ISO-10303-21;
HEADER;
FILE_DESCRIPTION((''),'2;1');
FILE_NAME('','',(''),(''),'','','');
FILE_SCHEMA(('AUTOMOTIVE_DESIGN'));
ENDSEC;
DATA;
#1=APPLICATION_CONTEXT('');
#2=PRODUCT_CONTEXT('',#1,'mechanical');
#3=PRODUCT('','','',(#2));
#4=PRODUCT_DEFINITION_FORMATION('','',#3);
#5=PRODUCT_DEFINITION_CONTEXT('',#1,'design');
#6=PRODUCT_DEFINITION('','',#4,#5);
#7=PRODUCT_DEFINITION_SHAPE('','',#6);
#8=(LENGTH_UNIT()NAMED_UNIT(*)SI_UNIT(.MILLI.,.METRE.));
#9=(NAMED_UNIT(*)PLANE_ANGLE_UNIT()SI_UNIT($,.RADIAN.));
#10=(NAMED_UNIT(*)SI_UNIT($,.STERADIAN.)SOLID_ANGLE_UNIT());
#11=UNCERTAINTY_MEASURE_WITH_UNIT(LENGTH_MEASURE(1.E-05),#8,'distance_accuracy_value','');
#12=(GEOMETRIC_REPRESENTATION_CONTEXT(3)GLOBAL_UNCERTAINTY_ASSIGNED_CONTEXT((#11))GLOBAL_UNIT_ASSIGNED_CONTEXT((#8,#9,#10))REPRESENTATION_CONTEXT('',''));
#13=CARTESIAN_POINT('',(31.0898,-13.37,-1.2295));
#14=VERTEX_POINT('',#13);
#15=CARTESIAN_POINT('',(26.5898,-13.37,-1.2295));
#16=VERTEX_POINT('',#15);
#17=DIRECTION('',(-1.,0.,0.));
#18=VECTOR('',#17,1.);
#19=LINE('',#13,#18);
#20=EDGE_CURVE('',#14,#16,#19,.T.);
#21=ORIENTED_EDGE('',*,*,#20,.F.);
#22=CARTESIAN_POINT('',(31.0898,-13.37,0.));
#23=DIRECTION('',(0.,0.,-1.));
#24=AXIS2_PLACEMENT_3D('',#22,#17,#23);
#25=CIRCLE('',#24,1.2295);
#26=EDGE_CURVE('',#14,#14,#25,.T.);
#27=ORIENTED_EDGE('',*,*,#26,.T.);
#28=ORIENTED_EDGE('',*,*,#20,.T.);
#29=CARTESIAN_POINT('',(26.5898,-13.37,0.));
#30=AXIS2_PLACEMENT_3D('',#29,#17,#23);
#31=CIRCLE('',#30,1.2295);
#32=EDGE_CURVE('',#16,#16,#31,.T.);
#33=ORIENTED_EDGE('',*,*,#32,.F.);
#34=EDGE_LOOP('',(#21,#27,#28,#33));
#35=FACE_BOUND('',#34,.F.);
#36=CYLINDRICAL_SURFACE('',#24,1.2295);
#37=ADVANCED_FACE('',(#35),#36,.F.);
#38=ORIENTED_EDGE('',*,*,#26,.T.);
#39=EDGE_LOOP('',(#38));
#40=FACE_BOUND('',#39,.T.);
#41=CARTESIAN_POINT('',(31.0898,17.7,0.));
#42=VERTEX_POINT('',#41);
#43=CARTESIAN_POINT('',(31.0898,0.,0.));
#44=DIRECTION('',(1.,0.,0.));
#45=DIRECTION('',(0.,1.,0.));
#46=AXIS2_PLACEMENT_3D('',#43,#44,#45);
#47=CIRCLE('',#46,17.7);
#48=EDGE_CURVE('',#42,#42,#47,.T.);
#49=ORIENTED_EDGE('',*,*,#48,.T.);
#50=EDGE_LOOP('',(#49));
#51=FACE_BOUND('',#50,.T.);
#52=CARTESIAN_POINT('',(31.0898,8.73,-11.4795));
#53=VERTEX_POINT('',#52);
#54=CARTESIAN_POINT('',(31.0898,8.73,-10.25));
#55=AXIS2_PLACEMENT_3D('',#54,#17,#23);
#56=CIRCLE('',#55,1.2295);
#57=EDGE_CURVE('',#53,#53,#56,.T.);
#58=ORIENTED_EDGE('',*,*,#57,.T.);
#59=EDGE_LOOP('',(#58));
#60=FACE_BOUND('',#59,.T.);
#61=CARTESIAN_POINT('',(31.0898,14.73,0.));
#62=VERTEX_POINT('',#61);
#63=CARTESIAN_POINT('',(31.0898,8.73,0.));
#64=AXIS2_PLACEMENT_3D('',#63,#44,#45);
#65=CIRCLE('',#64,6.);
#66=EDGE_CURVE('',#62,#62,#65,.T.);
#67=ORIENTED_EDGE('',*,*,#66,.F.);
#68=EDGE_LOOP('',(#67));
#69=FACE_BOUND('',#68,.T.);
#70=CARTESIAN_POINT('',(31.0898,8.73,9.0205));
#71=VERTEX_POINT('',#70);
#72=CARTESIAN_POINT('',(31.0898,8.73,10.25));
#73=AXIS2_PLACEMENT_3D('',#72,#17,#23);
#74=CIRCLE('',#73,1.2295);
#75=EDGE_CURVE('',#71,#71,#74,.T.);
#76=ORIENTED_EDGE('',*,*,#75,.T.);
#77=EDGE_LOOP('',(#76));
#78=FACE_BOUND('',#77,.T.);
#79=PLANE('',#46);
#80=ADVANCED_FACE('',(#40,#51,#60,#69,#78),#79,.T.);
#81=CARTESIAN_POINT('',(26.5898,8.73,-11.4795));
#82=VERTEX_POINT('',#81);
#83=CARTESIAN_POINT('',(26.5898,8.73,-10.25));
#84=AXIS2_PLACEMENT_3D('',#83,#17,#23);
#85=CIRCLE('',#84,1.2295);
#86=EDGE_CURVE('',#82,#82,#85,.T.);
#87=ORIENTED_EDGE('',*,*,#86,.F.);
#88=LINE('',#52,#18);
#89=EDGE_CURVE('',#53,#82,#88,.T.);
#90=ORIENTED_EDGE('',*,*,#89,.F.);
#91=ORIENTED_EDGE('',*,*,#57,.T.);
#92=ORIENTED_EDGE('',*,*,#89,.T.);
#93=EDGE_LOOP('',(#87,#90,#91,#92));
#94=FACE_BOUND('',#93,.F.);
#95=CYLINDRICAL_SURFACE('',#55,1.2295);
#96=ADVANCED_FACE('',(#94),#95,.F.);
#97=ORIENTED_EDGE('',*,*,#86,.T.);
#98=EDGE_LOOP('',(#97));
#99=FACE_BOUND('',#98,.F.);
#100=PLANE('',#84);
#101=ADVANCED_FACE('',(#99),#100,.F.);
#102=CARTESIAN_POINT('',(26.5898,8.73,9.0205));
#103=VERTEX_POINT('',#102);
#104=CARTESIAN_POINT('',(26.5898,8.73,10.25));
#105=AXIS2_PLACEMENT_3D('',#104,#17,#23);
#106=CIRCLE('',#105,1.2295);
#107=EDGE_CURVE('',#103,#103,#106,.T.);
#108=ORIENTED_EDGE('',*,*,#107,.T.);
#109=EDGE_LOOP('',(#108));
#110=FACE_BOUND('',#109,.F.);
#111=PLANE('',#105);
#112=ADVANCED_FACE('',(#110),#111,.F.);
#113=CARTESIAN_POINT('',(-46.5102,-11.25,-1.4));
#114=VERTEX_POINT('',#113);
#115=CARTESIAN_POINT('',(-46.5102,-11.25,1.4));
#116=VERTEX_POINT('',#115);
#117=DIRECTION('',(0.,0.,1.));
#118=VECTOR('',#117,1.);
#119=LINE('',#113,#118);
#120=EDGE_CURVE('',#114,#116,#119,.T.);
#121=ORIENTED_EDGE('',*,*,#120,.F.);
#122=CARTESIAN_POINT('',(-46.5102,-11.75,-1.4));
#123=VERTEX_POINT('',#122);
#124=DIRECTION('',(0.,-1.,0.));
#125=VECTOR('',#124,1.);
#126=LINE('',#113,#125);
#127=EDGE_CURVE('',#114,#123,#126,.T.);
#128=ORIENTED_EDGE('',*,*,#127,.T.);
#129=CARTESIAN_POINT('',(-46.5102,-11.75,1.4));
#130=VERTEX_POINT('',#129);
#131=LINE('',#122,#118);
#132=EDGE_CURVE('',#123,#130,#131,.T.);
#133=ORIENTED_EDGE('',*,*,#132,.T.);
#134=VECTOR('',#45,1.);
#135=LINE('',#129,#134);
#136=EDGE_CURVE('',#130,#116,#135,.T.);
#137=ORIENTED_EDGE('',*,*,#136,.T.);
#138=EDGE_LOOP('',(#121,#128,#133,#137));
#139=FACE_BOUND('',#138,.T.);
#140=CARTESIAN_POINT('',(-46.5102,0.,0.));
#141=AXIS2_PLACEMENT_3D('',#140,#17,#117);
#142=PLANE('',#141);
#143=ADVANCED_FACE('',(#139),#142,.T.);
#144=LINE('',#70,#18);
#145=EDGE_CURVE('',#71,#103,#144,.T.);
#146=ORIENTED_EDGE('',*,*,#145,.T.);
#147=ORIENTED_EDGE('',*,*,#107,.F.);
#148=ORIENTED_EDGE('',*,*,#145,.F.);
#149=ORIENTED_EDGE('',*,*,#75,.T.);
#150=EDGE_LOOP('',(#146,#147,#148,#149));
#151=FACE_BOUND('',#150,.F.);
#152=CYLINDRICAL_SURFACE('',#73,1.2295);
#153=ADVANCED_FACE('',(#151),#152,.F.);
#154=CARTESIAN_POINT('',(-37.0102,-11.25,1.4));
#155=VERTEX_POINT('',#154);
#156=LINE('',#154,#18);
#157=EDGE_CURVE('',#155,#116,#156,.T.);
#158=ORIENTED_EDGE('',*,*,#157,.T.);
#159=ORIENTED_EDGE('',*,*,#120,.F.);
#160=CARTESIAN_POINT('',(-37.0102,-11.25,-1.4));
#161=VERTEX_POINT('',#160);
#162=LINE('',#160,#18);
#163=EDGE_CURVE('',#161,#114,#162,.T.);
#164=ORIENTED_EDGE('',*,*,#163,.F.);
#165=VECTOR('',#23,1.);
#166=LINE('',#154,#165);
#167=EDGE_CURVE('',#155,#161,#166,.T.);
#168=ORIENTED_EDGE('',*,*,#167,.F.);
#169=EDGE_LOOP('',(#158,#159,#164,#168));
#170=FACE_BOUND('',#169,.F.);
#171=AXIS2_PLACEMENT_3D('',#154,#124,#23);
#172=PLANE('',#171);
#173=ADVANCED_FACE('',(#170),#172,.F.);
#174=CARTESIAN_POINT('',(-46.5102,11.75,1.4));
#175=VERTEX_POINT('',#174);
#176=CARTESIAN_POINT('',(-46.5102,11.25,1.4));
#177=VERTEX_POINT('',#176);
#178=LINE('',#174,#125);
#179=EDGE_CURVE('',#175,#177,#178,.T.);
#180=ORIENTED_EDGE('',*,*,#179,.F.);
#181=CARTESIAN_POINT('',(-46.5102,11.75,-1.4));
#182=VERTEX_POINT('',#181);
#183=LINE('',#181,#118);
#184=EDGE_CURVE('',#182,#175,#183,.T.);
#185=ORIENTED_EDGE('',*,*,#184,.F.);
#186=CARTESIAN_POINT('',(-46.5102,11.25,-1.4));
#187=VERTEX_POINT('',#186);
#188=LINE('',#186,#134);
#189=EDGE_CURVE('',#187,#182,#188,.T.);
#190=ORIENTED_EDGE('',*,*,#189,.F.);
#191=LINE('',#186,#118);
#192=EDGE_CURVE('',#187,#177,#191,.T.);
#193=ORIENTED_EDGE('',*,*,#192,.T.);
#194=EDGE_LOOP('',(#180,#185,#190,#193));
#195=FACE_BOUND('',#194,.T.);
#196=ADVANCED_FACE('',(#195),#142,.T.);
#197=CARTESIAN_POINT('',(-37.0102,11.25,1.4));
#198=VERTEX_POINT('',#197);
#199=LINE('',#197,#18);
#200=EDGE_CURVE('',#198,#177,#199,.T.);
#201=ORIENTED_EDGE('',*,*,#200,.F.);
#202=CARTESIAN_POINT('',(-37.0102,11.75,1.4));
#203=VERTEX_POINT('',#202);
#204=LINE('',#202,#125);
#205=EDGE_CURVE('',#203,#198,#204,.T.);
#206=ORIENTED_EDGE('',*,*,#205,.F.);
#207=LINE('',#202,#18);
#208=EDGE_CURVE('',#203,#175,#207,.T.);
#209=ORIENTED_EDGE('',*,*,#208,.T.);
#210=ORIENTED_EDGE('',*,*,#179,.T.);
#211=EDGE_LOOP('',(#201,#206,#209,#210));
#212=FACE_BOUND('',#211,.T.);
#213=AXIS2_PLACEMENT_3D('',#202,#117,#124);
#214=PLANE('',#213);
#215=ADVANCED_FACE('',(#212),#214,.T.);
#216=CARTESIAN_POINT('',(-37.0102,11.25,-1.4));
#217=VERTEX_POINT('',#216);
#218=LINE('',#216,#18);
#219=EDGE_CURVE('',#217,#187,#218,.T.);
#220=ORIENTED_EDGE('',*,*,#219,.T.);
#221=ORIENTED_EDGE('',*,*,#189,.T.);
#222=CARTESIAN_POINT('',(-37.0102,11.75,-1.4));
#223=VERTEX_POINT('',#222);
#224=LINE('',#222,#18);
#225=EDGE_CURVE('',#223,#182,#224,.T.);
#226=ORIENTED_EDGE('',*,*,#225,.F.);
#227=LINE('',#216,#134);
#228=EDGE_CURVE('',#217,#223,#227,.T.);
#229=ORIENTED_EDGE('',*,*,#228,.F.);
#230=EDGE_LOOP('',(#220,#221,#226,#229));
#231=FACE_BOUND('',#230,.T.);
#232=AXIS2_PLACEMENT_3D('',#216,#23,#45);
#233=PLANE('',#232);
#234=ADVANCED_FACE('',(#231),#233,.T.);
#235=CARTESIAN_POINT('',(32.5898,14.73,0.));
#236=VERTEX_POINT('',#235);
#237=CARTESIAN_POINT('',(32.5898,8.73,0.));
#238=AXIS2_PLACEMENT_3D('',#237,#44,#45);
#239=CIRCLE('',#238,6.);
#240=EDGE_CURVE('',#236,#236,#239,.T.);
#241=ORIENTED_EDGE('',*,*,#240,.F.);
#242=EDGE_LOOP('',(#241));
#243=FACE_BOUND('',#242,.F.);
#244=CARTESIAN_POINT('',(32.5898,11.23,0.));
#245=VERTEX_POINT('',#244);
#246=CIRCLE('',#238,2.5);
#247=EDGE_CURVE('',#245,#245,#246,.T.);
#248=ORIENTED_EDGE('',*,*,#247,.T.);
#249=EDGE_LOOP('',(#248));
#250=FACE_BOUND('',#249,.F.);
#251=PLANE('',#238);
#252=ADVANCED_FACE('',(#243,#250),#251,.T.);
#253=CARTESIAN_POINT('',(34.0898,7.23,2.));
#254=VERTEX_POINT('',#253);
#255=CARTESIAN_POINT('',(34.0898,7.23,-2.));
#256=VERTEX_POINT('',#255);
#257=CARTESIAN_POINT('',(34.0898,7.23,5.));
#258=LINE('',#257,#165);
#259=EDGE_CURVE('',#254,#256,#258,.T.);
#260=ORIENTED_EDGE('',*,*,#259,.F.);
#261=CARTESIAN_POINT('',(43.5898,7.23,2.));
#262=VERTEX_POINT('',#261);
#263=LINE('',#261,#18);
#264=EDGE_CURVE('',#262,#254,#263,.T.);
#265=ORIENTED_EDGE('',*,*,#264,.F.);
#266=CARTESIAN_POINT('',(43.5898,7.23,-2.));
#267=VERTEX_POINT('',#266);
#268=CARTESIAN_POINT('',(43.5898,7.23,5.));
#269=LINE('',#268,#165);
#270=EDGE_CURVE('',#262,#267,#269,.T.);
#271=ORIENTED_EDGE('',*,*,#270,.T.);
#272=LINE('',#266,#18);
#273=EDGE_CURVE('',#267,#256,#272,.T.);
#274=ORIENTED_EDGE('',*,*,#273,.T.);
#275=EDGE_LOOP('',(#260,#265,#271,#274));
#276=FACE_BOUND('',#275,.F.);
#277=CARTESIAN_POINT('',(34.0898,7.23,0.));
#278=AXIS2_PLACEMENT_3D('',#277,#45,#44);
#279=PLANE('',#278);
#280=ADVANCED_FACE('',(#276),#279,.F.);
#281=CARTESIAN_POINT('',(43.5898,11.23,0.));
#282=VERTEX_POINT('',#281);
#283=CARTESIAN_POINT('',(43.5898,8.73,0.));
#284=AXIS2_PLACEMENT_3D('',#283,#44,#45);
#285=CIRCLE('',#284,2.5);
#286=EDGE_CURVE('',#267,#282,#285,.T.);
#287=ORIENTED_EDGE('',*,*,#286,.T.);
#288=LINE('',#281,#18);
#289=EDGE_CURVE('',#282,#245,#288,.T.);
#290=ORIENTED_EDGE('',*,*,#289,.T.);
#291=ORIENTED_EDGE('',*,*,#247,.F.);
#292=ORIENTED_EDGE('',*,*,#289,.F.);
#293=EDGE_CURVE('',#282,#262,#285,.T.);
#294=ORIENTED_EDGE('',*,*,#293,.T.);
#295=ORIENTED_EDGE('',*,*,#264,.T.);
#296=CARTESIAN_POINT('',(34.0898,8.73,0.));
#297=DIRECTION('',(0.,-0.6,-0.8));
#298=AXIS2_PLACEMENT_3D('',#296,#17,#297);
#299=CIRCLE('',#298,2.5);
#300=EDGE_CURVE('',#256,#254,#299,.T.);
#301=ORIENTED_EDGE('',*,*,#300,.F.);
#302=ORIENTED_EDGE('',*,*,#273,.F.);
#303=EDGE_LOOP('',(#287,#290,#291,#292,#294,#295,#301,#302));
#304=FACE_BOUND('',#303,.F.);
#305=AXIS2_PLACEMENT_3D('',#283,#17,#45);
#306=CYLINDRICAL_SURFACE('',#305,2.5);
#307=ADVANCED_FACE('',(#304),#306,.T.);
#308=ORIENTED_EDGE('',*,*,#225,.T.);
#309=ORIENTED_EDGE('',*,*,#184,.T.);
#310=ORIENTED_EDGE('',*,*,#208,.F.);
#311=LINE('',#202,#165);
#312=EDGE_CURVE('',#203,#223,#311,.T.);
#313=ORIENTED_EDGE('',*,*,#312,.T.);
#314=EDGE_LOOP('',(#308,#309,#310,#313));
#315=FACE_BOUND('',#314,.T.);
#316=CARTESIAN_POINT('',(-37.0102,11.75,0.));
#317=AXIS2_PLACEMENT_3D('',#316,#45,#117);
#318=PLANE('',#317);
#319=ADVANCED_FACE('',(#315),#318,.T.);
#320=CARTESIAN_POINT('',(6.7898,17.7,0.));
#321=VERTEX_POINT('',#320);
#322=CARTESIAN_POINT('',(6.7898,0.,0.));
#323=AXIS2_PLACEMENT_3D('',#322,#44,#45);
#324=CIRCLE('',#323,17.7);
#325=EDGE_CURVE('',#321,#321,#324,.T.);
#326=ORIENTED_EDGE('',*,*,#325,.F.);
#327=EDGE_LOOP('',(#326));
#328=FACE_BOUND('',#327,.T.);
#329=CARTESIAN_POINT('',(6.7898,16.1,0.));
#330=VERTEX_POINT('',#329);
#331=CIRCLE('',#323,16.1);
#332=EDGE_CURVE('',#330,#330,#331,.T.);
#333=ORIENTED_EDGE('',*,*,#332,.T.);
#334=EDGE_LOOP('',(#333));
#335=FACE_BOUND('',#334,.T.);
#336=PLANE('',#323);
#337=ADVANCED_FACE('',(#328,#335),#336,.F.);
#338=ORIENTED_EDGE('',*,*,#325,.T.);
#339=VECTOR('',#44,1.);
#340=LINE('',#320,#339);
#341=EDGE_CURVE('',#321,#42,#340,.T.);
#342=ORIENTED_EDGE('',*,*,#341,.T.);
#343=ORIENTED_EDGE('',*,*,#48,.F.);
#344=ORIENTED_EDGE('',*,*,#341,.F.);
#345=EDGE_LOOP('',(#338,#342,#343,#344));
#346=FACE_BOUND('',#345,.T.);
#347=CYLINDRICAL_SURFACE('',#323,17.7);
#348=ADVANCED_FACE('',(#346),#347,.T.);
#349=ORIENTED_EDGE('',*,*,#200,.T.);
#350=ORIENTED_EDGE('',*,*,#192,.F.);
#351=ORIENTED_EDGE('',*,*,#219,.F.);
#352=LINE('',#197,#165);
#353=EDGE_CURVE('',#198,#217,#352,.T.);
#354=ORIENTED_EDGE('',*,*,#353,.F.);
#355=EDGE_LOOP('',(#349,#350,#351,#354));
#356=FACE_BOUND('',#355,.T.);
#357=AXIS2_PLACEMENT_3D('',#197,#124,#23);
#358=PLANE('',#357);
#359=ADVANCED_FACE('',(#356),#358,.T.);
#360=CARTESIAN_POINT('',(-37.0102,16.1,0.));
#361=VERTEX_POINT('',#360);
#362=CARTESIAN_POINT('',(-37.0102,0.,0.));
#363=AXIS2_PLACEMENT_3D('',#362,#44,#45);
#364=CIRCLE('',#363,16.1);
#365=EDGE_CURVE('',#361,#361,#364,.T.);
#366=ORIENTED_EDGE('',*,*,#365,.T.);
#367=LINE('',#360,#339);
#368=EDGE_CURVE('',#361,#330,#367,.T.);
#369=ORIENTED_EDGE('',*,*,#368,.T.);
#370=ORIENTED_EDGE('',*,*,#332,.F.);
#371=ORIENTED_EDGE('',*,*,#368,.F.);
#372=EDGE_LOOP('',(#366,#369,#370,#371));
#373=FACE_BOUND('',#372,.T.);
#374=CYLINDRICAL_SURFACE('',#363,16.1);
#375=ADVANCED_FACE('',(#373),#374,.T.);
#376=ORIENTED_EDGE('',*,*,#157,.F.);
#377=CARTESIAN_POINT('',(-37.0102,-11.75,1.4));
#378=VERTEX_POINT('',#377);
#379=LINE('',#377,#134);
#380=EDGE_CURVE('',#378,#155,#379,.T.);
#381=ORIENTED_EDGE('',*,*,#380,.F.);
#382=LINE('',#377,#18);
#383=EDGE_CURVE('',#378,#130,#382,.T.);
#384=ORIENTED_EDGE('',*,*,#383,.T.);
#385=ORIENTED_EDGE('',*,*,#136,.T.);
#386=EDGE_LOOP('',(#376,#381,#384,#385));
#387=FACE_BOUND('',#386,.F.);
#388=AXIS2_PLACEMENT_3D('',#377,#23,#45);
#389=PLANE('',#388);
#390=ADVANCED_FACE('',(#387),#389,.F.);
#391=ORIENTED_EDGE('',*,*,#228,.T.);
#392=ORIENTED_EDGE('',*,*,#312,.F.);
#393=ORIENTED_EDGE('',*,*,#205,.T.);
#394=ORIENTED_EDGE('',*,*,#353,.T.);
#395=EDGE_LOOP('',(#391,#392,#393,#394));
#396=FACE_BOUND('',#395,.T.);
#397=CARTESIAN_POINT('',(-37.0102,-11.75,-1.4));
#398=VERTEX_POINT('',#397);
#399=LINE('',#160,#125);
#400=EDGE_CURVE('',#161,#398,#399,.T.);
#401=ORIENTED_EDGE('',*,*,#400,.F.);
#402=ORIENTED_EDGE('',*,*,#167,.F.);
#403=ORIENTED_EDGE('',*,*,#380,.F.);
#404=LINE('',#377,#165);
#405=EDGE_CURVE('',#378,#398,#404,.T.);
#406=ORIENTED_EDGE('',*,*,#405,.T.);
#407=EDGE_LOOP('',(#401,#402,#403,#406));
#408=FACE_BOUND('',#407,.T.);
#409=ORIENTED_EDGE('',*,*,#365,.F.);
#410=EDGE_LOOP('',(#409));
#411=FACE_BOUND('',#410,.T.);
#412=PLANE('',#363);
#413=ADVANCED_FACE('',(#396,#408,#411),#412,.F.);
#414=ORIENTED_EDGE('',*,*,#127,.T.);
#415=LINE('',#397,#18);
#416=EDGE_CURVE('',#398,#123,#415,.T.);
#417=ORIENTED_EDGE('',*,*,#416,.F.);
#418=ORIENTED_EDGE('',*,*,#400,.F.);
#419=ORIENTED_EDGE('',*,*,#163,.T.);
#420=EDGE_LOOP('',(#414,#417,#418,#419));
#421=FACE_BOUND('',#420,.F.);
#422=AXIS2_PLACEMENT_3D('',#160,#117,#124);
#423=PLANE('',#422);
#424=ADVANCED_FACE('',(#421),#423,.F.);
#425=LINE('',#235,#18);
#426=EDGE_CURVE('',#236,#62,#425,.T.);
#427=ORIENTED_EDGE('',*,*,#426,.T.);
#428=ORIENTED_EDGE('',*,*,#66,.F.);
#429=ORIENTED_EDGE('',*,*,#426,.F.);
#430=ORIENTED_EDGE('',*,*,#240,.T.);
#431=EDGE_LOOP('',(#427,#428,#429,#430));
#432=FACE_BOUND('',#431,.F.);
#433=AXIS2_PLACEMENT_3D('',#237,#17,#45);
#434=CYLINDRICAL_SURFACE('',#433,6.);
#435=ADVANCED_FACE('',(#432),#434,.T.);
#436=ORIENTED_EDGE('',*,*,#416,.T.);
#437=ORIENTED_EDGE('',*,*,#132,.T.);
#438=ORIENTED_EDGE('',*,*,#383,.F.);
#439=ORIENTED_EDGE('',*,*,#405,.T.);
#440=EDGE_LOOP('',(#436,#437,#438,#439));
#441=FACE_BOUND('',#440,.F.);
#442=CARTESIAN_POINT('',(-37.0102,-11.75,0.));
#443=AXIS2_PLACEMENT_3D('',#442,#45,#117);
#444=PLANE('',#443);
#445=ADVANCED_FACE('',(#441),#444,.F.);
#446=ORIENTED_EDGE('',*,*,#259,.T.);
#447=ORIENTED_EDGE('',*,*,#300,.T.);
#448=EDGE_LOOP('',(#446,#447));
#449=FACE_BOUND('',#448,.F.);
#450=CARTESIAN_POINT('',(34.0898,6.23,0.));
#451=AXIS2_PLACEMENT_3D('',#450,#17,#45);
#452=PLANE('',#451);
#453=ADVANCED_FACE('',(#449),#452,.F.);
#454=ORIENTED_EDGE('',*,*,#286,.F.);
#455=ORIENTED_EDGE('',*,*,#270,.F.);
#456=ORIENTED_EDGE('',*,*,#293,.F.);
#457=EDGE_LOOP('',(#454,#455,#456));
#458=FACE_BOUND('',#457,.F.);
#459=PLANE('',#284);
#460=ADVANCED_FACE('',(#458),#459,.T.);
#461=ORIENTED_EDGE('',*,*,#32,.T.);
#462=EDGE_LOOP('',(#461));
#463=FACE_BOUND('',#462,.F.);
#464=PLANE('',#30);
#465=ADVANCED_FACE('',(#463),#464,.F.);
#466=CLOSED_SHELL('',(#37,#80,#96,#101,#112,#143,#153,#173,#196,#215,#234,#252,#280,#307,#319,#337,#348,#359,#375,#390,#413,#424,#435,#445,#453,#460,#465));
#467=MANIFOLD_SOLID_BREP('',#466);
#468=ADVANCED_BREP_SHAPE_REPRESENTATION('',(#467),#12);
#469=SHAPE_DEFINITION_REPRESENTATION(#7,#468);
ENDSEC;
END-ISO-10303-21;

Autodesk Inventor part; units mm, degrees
ref_plane "YZ Plane" through (0, 0, 0) normal (1, 0, 0) x (0, 1, 0)
ref_plane "XZ Plane" through (0, 0, 0) normal (0, 1, 0) x (-1, 0, 0)
ref_plane "XY Plane" through (0, 0, 0) normal (0, 0, 1) x (1, 0, 0)
sketch "Sketch1" plane through (0, 0, 0) normal (0, 0, 1) x (1, 0, 0)
  line L0 (-37.0102, 0) -> (-37.0102, 16.1)
  line L1 (-37.0102, 16.1) -> (6.7898, 16.1)
  line L2 (6.7898, 16.1) -> (6.7898, 17.7)
  line L3 (6.7898, 17.7) -> (31.0898, 17.7)
  line L4 (31.0898, 17.7) -> (31.0898, 0)
  line L5 (31.0898, 0) -> (-37.0102, 0)
  line L6 (-42.8743, 0) -> (48.8507, 0) construction
  line L7 (0, 23.2775) -> (0, -29.7437) construction
  point P0 (0, 0)
  dimension "d0" = 16.1
  dimension "d1" = 68.1
  dimension "d2" = 24.3
  dimension "d3" = 17.7
revolve "Revolution1" add sketch "Sketch1" angle 360 about axis through (-42.8743, 0, 0) along (1, 0, 0)
sketch "Sketch2" plane through (31.0898, 0, 0) normal (1, 0, 0) x (0, 0, -1)
  point P0 (0, 0)
  point P1 (0, 8.73)
  dimension "d5" = 8.73
sketch "Sketch3" plane through (0, 0, 0) normal (0, 0, 1) x (1, 0, 0)
  line L0 (31.0898, 8.73) -> (43.5898, 8.73)
  line L1 (43.5898, 8.73) -> (43.5898, 11.23)
  line L2 (43.5898, 11.23) -> (32.5898, 11.23)
  line L3 (32.5898, 11.23) -> (32.5898, 14.73)
  line L4 (32.5898, 14.73) -> (31.0898, 14.73)
  line L5 (31.0898, 14.73) -> (31.0898, 8.73)
  line L6 (24.3312, 8.73) -> (72.9935, 8.73) construction
  line L7 (6.7898, -17.7) -> (6.7898, 17.7) construction
  point P0 (0, 0)
  dimension "d6" = 6
  dimension "d8" = 2.5
  dimension "d9" = 1.5
  dimension "d10" = 12.5
revolve "Revolution2" add sketch "Sketch3" angle 360 about axis through (24.3312, 8.73, 0) along (1, 0, 0)
sketch "Sketch4" plane through (0, 0, 0) normal (0, 0, 1) x (1, 0, 0)
  line L0 (32.5898, 6.23) -> (43.5898, 6.23) projected
  line L1 (43.5898, 6.23) -> (34.0898, 6.23)
  line L2 (34.0898, 6.23) -> (34.0898, 7.23)
  line L3 (34.0898, 7.23) -> (43.5898, 7.23)
  line L4 (43.5898, 7.23) -> (43.5898, 6.23)
  point P0 (0, 0)
  dimension "d12" = 1
  dimension "d13" = 9.5
extrude "Extrusion1" cut sketch "Sketch4" along normal mid plane 10
sketch "Sketch5" plane through (31.0898, 0, 0) normal (1, 0, 0) x (0, 0, -1)
  line L0 (0, -24.78) -> (0, 24.78) projected
  line L1 (-24.78, 0) -> (24.78, 0) projected
  point P0 (0, 0)
  point P1 (-10.25, 8.73)
  point P2 (10.25, 8.73)
  point P3 (0, -13.37)
  dimension "d16" = 20.5
  dimension "d17" = 8.73
  dimension "d18" = 22.1
hole "Hole1" at (31.0898, 8.73, 10.25) at (31.0898, 8.73, -10.25) at (31.0898, -13.37, 0) direction (-1, 0, 0) diameter 2.459 depth 4.5 thread size "M3x0.5" class "6H" standard "ISO Metric profile"
sketch "Sketch6" plane through (-37.0102, 0, 0) normal (-1, 0, 0) x (0, 0, 1)
  line L0 (0, 24.78) -> (0, -24.78) projected
  line L1 (-24.78, 0) -> (24.78, 0) projected
  line L2 (-1.4, 11.75) -> (1.4, 11.75)
  line L3 (1.4, 11.75) -> (1.4, 11.25)
  line L4 (1.4, 11.25) -> (-1.4, 11.25)
  line L5 (-1.4, 11.25) -> (-1.4, 11.75)
  line L6 (-1.4, -11.75) -> (1.4, -11.75)
  line L7 (1.4, -11.75) -> (1.4, -11.25)
  line L8 (1.4, -11.25) -> (-1.4, -11.25)
  line L9 (-1.4, -11.25) -> (-1.4, -11.75)
  point P0 (0, 0)
  point P1 (0, 11.25)
  point P2 (0, -11.25)
  dimension "d26" = 2.8
  dimension "d27" = 0.5
  dimension "d28" = 11.25
extrude "Extrusion2" add sketch "Sketch6" along normal blind 9.5
properties material "Thermoplastic Resin"
